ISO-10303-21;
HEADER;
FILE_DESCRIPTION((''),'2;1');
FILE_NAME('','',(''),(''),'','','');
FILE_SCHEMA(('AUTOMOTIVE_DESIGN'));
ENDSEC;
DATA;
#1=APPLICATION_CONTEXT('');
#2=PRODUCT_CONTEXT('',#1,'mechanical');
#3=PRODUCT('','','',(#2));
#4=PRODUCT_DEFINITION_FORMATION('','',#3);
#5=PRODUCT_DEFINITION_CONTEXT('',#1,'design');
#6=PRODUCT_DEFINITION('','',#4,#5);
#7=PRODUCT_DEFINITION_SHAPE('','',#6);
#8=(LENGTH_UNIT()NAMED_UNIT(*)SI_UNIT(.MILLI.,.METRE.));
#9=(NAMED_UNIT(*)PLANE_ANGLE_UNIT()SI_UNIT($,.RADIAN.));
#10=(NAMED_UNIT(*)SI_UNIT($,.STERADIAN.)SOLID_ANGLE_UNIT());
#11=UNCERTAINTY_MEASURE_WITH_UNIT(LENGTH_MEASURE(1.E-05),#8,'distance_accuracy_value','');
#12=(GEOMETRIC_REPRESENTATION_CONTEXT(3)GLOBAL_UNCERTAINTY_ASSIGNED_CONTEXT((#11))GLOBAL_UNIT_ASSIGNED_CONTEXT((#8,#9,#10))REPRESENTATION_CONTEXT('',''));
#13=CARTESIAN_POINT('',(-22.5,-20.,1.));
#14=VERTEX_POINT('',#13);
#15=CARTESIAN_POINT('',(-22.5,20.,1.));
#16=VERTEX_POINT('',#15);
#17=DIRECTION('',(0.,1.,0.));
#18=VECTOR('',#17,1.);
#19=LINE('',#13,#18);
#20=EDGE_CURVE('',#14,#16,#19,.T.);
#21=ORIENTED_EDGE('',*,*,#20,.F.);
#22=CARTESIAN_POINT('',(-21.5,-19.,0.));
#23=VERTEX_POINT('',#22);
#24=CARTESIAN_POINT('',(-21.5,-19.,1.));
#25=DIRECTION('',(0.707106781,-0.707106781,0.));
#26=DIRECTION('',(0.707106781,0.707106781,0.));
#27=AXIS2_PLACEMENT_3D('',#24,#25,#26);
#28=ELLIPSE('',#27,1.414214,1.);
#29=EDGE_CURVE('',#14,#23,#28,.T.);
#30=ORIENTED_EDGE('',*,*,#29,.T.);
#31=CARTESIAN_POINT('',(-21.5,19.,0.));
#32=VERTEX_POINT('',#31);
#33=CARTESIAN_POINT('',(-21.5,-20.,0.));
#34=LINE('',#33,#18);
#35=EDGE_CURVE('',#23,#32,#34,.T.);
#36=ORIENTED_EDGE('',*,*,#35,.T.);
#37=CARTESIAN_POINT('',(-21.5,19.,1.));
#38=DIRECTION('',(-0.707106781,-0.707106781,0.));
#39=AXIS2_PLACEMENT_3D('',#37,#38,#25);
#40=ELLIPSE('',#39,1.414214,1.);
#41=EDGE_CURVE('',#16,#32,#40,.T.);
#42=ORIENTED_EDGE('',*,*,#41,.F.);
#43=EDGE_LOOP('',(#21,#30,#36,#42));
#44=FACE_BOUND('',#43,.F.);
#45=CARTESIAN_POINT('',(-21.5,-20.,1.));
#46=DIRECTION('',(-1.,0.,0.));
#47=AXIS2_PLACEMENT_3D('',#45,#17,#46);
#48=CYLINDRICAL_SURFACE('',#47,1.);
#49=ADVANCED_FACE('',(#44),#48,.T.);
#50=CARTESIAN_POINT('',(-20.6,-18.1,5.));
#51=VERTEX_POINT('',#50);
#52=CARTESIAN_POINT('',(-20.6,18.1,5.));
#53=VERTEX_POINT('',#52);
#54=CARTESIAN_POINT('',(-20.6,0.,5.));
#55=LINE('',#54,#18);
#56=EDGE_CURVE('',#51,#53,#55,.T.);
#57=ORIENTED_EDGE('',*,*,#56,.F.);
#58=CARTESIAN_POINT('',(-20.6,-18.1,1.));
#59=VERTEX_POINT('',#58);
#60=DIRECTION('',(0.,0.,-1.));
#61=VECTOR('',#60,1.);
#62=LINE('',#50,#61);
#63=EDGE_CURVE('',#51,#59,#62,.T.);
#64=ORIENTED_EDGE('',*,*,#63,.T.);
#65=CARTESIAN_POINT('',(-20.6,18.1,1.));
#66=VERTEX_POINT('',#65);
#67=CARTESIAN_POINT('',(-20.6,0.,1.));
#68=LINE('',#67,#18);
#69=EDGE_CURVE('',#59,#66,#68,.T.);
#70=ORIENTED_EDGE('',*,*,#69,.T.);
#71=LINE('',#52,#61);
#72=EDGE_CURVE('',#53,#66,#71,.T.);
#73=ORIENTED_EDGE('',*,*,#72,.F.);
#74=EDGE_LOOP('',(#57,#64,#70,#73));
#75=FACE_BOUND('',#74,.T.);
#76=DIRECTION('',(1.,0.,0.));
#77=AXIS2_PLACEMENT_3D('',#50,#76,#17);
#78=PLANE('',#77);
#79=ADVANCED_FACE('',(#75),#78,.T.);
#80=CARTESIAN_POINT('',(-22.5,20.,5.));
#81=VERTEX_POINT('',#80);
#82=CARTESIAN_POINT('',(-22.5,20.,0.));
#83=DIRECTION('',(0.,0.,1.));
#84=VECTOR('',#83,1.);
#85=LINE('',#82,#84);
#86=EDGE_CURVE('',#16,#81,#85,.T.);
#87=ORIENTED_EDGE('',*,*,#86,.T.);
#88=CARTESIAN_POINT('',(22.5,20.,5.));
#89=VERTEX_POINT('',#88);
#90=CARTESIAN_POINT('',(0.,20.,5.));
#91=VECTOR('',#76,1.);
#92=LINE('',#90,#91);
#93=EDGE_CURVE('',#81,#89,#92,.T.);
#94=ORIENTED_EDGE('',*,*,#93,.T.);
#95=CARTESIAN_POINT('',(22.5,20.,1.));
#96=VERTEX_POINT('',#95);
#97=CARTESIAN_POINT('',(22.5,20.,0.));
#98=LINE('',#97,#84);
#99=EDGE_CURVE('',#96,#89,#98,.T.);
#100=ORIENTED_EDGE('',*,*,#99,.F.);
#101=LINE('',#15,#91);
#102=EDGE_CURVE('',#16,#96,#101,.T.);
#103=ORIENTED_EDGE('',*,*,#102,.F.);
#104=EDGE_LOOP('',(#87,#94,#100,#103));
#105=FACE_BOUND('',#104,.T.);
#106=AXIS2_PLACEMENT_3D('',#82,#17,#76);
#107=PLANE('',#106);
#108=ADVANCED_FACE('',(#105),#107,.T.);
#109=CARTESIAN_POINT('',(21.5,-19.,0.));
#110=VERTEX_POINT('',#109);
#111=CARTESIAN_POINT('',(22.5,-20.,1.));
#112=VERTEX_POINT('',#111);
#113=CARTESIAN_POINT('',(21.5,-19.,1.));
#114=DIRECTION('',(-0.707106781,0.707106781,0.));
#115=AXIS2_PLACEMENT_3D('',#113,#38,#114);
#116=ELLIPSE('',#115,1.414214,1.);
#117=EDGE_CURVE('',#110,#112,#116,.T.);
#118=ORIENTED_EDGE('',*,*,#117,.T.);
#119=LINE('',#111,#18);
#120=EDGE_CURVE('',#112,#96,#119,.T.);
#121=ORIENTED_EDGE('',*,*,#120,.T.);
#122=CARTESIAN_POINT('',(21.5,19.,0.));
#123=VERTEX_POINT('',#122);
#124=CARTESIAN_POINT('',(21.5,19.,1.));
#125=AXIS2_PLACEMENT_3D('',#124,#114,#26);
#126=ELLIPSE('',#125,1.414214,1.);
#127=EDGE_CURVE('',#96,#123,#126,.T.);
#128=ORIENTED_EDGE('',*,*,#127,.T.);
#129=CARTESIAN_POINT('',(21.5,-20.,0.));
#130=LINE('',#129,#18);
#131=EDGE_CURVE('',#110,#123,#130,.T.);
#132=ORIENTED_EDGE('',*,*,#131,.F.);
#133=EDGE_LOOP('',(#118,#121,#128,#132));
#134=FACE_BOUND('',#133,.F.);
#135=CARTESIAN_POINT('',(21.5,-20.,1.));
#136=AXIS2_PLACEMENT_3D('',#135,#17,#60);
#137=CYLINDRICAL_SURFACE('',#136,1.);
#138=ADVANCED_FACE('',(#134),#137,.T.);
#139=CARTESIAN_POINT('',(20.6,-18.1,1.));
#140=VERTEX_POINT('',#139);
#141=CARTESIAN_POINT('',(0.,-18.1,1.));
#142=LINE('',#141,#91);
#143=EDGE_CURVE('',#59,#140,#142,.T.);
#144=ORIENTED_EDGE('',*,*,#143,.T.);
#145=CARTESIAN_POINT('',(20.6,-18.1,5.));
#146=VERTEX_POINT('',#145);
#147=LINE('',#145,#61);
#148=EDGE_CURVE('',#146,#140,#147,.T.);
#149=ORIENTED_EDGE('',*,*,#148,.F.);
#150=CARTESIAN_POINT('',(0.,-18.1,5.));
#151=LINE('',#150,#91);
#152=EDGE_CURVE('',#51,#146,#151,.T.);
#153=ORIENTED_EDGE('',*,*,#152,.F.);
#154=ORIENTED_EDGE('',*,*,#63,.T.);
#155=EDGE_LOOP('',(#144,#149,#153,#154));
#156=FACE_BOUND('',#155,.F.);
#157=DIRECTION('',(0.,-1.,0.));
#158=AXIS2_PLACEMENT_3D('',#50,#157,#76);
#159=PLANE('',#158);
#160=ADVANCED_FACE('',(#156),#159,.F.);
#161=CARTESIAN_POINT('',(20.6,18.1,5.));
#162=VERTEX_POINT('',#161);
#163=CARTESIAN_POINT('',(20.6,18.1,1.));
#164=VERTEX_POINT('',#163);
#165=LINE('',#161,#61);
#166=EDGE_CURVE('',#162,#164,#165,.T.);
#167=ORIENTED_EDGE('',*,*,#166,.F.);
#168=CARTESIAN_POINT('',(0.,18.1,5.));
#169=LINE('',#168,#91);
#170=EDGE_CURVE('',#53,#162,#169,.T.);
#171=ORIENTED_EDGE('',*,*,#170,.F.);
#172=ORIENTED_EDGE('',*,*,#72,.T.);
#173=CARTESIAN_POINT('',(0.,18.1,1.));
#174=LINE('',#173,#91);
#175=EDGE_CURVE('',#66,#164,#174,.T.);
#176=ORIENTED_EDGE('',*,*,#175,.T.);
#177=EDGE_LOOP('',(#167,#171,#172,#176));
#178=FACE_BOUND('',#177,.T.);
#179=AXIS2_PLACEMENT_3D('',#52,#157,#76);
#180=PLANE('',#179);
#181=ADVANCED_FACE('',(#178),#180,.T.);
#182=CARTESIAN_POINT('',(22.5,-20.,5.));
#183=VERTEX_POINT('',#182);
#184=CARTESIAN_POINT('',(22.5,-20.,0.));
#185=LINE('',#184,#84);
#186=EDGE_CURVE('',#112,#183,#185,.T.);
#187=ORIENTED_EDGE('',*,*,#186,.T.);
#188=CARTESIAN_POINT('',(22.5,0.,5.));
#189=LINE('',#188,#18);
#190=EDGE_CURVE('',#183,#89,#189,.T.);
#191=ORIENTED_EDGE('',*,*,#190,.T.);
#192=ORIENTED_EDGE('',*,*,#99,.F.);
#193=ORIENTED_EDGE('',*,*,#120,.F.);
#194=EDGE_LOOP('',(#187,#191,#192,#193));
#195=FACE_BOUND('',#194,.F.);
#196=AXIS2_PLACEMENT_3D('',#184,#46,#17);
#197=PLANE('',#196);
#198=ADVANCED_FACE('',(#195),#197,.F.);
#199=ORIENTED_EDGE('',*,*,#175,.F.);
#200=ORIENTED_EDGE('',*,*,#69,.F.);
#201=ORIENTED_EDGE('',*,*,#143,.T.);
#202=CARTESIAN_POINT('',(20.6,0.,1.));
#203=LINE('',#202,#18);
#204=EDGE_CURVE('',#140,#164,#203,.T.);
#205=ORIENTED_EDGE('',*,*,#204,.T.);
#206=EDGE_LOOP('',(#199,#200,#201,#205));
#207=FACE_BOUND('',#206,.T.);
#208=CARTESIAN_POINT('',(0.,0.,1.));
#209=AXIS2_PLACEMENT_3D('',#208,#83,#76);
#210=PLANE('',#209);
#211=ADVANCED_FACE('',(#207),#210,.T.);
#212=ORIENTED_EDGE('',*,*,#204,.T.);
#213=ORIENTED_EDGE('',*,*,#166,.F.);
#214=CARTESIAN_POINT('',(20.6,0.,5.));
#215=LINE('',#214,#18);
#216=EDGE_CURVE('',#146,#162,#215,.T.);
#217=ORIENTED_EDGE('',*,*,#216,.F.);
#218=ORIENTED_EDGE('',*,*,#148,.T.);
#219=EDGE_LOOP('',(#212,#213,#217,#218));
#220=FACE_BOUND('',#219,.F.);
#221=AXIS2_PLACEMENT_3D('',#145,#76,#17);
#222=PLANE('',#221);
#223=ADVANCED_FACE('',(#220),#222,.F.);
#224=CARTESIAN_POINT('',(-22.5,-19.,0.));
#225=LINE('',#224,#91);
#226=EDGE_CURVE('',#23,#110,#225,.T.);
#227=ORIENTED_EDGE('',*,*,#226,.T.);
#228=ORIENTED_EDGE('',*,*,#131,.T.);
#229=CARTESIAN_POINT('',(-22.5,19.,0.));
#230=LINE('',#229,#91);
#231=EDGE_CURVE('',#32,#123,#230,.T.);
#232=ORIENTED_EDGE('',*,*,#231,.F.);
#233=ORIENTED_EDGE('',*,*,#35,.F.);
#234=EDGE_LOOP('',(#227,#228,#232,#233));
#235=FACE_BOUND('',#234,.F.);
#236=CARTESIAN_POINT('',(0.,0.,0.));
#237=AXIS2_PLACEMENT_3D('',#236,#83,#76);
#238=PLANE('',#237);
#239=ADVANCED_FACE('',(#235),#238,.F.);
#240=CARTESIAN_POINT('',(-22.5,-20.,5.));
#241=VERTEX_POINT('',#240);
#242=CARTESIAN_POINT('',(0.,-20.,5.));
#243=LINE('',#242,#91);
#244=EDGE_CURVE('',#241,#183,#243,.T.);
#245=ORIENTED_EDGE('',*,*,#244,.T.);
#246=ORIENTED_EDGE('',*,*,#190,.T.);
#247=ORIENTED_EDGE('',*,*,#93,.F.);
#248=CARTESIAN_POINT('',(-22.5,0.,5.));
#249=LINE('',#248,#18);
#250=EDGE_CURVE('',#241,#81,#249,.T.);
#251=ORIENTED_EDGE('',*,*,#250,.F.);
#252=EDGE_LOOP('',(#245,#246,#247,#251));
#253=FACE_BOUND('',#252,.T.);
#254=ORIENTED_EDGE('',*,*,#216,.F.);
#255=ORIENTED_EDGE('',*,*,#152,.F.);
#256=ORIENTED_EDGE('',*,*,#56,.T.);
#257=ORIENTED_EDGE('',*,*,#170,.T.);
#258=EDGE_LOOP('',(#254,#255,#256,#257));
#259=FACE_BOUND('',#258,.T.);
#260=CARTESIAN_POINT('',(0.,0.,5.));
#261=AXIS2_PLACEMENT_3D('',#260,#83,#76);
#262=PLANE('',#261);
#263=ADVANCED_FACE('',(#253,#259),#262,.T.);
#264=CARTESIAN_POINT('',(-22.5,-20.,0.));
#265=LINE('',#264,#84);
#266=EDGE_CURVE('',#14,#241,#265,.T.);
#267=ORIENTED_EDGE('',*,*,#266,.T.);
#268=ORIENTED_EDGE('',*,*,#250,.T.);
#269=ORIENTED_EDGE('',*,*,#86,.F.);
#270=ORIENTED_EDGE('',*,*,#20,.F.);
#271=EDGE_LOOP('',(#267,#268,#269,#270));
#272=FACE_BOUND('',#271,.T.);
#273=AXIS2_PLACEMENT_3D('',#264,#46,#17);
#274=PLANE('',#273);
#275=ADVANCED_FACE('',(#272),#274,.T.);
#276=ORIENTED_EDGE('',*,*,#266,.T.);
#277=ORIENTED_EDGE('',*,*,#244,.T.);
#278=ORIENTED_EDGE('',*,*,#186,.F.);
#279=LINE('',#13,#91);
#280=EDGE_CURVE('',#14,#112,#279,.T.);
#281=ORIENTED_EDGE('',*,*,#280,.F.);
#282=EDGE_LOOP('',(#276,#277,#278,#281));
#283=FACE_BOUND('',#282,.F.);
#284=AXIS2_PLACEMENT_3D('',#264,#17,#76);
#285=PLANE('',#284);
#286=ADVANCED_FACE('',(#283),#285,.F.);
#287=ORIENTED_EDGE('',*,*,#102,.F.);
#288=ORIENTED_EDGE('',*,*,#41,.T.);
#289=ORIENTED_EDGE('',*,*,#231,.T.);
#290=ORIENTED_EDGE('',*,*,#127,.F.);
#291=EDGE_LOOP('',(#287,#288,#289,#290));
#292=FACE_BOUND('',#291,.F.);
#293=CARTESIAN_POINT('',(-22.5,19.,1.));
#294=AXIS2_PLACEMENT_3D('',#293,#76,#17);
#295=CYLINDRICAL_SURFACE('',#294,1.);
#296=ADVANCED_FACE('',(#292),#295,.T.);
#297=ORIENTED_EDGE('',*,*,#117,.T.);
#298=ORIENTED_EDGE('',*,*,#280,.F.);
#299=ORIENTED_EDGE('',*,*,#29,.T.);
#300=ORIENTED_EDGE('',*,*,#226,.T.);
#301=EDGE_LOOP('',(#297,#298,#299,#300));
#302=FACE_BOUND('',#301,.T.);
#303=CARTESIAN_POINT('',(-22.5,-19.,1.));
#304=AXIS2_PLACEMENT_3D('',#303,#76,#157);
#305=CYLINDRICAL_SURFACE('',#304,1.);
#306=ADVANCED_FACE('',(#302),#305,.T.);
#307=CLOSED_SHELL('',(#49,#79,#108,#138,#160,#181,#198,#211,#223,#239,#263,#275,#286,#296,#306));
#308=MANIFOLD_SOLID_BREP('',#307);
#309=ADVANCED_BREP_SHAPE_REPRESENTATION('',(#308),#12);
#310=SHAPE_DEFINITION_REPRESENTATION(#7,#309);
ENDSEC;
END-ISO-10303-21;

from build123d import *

# Parameters (mm, degrees)
SKETCH_W     = 45
SKETCH_H     = 40
PAD_DEPTH    = 5
SKETCH001_W  = 41.2
SKETCH001_H  = 36.2
POCKET_DEPTH = 4
FILLET_R     = 1


with BuildPart() as part:
    # Sketch → Pad (new body)
    with BuildSketch(Plane.XY):
        Rectangle(SKETCH_W, SKETCH_H)
    extrude(amount=PAD_DEPTH)

    # Sketch001 (on Face6 of Pad) → Pocket (cut)
    with BuildSketch(Plane.XY.offset(5)):
        Rectangle(SKETCH001_W, SKETCH001_H)
    extrude(amount=-POCKET_DEPTH, mode=Mode.SUBTRACT)

    # Fillet
    fillet_edges = [part.edges().sort_by_distance(p)[0] for p in [
        (0, 20, 0),
        (22.5, 0, 0),
        (0, -20, 0),
        (-22.5, 0, 0),
    ]]
    fillet(fillet_edges, radius=FILLET_R)


solid = part.part
